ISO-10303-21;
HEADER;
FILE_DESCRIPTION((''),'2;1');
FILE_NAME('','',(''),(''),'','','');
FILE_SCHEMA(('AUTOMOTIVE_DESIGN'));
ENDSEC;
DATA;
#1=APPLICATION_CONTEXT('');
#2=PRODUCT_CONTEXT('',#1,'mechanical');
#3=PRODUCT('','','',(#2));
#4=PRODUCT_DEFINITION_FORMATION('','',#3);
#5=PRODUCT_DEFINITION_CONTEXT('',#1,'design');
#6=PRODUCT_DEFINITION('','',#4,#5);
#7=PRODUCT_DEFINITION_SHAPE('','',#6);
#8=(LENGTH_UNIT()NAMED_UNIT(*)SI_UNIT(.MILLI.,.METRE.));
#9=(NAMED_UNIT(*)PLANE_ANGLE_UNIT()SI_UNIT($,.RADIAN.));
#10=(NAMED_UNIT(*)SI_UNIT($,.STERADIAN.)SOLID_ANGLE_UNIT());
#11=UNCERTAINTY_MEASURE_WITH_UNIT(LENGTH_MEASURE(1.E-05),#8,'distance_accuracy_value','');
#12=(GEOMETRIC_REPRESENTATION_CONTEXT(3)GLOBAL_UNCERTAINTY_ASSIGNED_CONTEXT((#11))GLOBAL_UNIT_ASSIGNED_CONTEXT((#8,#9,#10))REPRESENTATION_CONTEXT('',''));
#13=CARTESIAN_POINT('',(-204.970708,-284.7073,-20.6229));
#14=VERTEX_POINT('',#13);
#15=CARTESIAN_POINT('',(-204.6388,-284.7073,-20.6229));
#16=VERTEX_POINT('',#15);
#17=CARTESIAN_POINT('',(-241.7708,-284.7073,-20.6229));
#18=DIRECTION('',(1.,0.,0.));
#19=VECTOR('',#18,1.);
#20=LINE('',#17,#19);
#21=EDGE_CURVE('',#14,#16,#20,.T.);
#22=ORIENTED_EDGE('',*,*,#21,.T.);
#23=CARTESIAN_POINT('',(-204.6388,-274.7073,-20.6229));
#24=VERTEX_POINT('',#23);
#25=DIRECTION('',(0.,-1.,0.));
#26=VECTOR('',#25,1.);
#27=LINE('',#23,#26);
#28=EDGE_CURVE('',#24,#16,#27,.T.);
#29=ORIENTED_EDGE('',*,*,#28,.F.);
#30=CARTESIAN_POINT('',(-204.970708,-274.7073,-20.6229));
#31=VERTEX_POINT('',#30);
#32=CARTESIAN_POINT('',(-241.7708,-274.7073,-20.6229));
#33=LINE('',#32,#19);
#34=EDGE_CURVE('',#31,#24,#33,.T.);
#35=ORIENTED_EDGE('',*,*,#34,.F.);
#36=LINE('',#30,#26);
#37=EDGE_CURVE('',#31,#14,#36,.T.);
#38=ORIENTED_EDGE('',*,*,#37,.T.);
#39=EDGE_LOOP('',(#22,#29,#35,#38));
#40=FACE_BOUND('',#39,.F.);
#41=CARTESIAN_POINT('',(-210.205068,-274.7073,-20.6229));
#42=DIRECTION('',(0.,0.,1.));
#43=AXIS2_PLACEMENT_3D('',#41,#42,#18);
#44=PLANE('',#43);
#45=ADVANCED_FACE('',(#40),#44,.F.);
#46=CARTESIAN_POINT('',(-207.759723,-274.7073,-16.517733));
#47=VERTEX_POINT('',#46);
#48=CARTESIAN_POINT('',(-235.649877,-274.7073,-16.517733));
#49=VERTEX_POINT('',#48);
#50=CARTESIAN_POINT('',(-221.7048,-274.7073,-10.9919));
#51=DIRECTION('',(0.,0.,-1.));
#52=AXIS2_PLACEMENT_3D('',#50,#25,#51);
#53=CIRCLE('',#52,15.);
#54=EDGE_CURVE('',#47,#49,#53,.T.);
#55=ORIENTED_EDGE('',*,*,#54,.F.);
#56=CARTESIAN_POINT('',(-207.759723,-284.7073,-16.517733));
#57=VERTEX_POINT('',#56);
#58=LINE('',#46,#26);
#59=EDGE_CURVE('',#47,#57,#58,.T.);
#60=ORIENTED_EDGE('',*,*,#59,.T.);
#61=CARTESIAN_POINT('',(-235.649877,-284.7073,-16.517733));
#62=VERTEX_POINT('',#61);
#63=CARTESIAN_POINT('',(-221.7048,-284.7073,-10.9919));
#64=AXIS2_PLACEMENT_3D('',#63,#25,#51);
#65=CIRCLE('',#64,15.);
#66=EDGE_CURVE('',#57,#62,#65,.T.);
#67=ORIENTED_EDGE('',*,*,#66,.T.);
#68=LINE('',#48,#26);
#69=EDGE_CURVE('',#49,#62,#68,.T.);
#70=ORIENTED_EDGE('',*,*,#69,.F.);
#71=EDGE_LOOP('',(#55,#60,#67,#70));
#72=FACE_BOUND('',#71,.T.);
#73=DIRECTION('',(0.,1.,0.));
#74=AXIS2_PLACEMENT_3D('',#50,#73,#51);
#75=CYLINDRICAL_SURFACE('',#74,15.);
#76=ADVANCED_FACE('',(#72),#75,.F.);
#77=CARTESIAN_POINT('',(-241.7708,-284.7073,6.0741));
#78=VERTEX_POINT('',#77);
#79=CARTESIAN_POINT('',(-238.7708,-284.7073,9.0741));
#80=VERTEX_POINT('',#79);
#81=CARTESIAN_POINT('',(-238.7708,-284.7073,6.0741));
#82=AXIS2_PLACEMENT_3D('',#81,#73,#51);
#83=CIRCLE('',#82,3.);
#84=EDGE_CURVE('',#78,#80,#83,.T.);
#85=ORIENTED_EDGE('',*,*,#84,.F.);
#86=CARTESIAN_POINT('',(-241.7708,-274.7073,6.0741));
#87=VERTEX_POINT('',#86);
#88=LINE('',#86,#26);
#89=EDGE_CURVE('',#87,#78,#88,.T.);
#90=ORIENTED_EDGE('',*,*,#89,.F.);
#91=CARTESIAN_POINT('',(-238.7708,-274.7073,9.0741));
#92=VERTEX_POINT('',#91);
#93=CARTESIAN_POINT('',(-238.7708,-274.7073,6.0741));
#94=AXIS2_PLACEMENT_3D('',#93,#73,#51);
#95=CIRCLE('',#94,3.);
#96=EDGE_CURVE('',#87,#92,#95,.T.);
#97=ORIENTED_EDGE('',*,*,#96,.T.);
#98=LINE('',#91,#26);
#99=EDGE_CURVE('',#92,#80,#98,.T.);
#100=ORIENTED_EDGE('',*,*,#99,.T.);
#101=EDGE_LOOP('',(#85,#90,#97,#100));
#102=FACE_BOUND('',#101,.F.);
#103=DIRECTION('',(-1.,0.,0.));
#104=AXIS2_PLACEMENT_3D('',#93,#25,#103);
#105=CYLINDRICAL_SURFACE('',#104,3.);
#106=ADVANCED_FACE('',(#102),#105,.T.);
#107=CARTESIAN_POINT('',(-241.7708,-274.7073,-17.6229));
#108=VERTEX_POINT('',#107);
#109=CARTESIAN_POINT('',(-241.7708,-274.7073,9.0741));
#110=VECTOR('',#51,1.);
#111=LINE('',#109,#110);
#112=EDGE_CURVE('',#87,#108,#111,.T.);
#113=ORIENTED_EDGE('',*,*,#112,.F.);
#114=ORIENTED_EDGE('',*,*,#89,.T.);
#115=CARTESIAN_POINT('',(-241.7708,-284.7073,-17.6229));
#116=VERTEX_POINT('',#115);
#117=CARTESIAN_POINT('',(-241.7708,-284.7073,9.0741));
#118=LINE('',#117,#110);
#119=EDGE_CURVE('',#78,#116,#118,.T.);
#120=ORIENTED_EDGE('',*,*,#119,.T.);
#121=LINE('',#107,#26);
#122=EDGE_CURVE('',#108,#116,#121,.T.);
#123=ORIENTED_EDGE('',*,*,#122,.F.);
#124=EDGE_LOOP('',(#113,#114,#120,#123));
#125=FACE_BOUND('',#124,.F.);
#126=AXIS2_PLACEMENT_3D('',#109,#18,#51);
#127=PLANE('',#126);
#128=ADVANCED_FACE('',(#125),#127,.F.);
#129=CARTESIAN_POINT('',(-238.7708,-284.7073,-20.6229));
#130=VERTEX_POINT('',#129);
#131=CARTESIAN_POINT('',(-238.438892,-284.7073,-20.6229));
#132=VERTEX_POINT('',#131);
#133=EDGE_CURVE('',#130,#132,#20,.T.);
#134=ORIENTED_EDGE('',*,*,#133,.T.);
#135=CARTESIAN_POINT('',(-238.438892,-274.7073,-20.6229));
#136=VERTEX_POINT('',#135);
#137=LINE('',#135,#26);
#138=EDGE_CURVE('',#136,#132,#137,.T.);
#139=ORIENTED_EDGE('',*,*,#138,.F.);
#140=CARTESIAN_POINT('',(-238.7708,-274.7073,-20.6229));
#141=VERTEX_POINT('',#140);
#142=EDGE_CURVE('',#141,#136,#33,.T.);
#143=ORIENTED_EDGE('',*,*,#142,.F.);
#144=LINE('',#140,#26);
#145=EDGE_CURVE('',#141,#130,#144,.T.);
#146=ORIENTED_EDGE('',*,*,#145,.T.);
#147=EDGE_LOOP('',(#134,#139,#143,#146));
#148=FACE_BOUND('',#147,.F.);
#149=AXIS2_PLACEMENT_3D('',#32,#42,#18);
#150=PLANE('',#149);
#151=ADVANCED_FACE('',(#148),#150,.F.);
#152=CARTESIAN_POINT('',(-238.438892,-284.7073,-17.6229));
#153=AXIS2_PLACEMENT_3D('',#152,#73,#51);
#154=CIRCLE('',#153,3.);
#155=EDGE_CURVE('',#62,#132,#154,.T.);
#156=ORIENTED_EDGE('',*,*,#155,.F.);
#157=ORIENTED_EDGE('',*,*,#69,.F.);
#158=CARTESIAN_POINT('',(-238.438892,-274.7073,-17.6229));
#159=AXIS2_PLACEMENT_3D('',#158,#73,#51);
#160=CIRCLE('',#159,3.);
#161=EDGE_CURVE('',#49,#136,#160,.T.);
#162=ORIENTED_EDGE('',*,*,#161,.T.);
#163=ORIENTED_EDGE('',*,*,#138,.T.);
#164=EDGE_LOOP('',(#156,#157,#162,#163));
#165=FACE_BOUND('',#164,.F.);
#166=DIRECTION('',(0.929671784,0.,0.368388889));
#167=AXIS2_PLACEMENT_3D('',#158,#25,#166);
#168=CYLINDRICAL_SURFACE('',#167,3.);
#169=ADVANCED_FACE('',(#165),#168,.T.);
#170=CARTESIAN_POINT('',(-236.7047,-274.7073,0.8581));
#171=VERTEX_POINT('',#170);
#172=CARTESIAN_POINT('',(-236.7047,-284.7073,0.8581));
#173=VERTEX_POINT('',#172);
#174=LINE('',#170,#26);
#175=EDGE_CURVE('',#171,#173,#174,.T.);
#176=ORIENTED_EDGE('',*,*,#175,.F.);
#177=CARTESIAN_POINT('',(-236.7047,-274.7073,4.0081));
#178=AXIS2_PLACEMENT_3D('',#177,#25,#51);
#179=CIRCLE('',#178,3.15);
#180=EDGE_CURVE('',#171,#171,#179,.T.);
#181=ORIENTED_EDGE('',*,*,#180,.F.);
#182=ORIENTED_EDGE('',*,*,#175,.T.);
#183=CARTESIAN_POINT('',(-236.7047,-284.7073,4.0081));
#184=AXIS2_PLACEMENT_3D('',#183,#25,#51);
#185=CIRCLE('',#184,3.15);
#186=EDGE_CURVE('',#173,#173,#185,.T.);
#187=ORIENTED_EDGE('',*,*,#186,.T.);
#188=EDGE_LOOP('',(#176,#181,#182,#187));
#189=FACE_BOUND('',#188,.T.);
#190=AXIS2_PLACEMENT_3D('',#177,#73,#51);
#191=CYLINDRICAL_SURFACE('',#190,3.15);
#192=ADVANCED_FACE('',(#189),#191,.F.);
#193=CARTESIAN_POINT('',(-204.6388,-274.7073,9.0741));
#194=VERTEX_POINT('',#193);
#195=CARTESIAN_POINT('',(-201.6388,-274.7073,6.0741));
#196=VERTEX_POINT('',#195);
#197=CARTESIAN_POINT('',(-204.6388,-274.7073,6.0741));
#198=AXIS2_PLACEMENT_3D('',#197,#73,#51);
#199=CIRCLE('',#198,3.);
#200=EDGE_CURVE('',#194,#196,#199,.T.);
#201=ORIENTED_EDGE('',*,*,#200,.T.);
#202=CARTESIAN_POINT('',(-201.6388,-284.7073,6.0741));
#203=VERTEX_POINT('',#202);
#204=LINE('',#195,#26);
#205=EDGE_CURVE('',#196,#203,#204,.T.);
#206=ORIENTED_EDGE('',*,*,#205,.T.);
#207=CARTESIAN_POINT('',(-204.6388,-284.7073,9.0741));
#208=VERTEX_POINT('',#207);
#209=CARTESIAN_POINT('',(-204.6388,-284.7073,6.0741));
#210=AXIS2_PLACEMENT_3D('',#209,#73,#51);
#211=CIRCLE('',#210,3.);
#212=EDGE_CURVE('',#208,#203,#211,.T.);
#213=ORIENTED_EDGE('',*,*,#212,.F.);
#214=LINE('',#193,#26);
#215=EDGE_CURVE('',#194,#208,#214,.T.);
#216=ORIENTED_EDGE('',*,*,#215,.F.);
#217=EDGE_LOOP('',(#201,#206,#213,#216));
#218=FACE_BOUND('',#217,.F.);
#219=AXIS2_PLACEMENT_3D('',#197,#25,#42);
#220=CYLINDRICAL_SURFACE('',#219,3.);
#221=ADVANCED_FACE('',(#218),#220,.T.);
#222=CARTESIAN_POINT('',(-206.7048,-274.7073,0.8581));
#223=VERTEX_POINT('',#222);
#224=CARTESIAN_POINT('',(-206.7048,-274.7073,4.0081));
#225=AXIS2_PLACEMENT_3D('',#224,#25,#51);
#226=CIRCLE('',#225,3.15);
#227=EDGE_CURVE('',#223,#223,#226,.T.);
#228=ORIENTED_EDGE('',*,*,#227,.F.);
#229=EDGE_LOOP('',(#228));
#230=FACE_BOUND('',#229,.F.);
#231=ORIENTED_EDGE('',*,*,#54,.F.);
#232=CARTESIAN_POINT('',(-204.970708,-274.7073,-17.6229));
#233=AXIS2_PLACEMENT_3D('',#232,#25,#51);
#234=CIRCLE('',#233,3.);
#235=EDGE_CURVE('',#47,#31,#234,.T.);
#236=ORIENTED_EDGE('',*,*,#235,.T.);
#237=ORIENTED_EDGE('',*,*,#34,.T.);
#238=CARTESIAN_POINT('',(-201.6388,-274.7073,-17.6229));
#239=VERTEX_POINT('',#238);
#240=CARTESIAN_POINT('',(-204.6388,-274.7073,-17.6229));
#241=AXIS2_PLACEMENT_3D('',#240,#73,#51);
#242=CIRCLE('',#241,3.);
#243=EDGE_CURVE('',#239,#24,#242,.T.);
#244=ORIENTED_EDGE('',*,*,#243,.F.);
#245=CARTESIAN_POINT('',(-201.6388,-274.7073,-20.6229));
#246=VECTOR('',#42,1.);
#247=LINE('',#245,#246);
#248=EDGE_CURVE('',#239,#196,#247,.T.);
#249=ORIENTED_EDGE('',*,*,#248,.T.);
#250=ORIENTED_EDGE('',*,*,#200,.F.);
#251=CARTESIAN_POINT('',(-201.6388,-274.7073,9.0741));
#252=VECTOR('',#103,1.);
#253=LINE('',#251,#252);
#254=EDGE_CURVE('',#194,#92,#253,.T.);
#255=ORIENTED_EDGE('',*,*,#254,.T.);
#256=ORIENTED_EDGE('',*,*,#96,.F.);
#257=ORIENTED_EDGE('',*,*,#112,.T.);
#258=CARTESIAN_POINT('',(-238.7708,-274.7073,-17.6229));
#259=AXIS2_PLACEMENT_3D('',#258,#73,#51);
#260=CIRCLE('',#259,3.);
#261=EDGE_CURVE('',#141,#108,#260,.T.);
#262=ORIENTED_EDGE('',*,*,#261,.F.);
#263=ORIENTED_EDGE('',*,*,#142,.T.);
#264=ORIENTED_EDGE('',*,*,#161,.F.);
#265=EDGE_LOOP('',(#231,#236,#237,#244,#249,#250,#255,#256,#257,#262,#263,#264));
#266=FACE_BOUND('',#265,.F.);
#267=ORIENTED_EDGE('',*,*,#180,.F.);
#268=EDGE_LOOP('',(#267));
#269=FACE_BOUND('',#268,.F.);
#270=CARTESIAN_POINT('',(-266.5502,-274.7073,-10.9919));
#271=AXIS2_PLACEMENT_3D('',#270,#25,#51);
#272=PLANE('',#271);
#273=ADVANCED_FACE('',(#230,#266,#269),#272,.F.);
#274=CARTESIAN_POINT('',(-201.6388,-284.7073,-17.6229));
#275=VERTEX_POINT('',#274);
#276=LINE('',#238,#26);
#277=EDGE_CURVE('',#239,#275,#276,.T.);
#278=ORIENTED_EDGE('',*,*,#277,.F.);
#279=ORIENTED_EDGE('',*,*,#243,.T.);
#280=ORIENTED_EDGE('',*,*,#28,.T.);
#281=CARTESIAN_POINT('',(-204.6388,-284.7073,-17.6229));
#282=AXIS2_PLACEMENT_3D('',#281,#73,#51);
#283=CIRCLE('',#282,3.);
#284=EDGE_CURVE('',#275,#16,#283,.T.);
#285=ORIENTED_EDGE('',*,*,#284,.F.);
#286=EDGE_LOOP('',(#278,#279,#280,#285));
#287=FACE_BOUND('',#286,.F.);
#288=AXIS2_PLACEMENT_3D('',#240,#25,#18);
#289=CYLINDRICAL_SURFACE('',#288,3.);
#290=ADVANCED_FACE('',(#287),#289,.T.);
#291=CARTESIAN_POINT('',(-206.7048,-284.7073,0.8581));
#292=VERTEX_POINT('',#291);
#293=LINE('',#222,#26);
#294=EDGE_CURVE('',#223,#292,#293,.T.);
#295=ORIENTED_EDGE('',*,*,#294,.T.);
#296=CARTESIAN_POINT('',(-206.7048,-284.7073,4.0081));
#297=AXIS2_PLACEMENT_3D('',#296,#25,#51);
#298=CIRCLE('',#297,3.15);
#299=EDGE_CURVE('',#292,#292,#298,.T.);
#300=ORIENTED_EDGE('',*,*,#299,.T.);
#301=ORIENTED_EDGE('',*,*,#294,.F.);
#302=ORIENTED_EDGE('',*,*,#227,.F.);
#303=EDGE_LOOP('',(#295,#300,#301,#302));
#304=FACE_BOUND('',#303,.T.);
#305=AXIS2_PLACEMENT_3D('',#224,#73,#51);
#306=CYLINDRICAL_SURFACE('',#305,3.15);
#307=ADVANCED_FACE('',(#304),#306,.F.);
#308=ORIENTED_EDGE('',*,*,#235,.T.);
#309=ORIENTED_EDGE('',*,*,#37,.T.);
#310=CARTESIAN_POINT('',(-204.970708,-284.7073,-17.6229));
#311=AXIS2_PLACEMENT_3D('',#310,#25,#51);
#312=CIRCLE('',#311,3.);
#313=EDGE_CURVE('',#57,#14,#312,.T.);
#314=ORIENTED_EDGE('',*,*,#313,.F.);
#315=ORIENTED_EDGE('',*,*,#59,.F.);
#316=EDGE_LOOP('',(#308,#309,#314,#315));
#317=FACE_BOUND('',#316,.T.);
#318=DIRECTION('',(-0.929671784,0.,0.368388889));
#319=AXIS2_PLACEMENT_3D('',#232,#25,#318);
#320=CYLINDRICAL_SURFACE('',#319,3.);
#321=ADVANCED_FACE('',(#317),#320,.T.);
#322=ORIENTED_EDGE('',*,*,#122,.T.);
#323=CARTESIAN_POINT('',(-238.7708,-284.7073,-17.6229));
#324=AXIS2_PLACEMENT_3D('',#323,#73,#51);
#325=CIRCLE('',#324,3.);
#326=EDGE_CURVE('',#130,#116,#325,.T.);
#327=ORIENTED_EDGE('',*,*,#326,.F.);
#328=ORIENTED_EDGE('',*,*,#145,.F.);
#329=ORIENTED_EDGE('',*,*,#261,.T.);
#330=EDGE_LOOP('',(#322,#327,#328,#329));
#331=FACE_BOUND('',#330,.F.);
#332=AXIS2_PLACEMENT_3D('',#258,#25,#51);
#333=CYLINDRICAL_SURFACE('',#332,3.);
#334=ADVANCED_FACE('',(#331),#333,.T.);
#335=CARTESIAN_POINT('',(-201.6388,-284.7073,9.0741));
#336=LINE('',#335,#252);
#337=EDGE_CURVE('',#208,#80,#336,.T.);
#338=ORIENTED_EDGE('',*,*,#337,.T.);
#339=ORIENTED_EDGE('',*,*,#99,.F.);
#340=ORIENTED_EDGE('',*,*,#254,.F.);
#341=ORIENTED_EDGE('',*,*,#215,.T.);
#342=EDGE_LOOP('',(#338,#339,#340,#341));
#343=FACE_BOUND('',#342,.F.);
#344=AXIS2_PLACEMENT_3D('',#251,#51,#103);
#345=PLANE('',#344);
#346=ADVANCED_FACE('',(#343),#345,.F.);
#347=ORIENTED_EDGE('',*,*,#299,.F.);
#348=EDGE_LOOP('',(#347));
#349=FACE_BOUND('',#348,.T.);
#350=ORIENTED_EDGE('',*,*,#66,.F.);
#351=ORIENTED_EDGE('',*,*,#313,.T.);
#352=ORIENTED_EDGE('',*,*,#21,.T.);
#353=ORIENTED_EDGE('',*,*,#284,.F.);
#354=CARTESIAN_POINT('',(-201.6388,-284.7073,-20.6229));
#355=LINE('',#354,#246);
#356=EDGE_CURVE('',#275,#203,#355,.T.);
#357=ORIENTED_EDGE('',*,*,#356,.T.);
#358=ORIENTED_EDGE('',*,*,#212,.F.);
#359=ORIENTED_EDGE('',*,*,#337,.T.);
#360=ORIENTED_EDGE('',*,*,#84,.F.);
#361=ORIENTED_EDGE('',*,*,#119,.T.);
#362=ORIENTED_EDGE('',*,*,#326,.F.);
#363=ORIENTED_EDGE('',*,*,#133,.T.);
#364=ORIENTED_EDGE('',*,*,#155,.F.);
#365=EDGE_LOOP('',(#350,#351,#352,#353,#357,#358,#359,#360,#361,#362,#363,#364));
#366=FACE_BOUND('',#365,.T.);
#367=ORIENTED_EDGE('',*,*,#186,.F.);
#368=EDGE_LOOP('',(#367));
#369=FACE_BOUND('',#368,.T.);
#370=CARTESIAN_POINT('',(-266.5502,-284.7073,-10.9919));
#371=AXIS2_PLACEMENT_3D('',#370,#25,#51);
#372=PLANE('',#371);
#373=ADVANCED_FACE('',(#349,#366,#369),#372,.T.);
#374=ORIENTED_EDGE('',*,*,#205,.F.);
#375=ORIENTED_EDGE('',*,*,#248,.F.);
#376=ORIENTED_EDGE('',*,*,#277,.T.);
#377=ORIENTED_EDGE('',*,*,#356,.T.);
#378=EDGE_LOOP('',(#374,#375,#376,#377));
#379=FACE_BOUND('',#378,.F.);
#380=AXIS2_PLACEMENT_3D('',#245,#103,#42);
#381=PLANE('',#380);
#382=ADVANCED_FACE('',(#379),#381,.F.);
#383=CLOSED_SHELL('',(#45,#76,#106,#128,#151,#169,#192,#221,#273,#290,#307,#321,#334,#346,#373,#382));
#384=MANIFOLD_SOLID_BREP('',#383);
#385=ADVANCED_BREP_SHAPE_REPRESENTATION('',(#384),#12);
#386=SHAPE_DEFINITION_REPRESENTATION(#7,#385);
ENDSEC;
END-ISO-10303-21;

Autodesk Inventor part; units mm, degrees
ref_plane "YZ Plane" through (0, 0, 0) normal (1, 0, 0) x (0, 1, 0)
ref_plane "XZ Plane" through (0, 0, 0) normal (0, 1, 0) x (-1, 0, 0)
ref_plane "XY Plane" through (0, 0, 0) normal (0, 0, 1) x (1, 0, 0)
ref_plane "Work Plane1" through (-266.5502, -274.7073, -10.9919) normal (0, -1, 0) x (0, 0, -1)
sketch "Sketch1" plane through (-266.5502, -274.7073, -10.9919) normal (0, -1, 0) x (0, 0, -1)
  line L0 (-20.066, 62.7742) -> (-20.066, 26.9166) construction
  line L1 (-20.066, 26.9166) -> (-17.9288, 24.7794) construction
  line L2 (-17.9288, 24.7794) -> (17.9288, 24.7794) construction
  line L3 (17.9288, 24.7794) -> (20.066, 26.9166) construction
  line L4 (20.066, 26.9166) -> (20.066, 62.7742) construction
  line L5 (20.066, 62.7742) -> (17.9288, 64.9114) construction
  line L6 (17.9288, 64.9114) -> (-17.9288, 64.9114) construction
  line L7 (-17.9288, 64.9114) -> (-20.066, 62.7742) construction
  circle A0 centre (15, 29.8455) radius 3.2639 construction
  circle A1 centre (15, 59.8454) radius 3.2639 construction
  circle A2 centre (-15, 59.8454) radius 3.2639 construction
  circle A3 centre (-15, 29.8455) radius 3.2639 construction
  circle A4 centre (0, 44.8454) radius 13.3985 construction
  circle A5 centre (15, 59.8454) radius 3 construction
  circle A6 centre (15, 29.8455) radius 3 construction
  circle A7 centre (0, 44.8454) radius 15
  line L8 (-20.066, 24.7794) -> (9.631, 24.7794)
  line L9 (9.631, 24.7794) -> (9.631, 64.9114)
  line L10 (9.631, 64.9114) -> (-20.066, 64.9114)
  line L11 (-20.066, 64.9114) -> (-20.066, 24.7794)
  circle A8 centre (-15, 29.8455) radius 3.15
  circle A9 centre (-15, 59.8454) radius 3.15
  point P0 (-10.9919, 266.5502)
  point P1 (9.631, 33.3457)
  point P2 (9.631, 56.3451)
  dimension "d0" = 30
  dimension "d6" = 6.3
  dimension "d7" = 6.3
extrude "Extrusion1" add sketch "Sketch1" along normal blind 10 contours A7 L9 L8 L11 L10
fillet "Fillet1" radius 3 6 edges at (-241.7708, -279.7073, 9.0741) (-201.6388, -279.7073, 9.0741) (-241.7708, -279.7073, -20.623) (-201.6388, -279.7073, -20.623) (-210.2051, -279.7073, -20.623) (-233.2045, -279.7073, -20.623)
properties part number "30_CUBE_openSIM_Lensholder_THORLABSrods"
